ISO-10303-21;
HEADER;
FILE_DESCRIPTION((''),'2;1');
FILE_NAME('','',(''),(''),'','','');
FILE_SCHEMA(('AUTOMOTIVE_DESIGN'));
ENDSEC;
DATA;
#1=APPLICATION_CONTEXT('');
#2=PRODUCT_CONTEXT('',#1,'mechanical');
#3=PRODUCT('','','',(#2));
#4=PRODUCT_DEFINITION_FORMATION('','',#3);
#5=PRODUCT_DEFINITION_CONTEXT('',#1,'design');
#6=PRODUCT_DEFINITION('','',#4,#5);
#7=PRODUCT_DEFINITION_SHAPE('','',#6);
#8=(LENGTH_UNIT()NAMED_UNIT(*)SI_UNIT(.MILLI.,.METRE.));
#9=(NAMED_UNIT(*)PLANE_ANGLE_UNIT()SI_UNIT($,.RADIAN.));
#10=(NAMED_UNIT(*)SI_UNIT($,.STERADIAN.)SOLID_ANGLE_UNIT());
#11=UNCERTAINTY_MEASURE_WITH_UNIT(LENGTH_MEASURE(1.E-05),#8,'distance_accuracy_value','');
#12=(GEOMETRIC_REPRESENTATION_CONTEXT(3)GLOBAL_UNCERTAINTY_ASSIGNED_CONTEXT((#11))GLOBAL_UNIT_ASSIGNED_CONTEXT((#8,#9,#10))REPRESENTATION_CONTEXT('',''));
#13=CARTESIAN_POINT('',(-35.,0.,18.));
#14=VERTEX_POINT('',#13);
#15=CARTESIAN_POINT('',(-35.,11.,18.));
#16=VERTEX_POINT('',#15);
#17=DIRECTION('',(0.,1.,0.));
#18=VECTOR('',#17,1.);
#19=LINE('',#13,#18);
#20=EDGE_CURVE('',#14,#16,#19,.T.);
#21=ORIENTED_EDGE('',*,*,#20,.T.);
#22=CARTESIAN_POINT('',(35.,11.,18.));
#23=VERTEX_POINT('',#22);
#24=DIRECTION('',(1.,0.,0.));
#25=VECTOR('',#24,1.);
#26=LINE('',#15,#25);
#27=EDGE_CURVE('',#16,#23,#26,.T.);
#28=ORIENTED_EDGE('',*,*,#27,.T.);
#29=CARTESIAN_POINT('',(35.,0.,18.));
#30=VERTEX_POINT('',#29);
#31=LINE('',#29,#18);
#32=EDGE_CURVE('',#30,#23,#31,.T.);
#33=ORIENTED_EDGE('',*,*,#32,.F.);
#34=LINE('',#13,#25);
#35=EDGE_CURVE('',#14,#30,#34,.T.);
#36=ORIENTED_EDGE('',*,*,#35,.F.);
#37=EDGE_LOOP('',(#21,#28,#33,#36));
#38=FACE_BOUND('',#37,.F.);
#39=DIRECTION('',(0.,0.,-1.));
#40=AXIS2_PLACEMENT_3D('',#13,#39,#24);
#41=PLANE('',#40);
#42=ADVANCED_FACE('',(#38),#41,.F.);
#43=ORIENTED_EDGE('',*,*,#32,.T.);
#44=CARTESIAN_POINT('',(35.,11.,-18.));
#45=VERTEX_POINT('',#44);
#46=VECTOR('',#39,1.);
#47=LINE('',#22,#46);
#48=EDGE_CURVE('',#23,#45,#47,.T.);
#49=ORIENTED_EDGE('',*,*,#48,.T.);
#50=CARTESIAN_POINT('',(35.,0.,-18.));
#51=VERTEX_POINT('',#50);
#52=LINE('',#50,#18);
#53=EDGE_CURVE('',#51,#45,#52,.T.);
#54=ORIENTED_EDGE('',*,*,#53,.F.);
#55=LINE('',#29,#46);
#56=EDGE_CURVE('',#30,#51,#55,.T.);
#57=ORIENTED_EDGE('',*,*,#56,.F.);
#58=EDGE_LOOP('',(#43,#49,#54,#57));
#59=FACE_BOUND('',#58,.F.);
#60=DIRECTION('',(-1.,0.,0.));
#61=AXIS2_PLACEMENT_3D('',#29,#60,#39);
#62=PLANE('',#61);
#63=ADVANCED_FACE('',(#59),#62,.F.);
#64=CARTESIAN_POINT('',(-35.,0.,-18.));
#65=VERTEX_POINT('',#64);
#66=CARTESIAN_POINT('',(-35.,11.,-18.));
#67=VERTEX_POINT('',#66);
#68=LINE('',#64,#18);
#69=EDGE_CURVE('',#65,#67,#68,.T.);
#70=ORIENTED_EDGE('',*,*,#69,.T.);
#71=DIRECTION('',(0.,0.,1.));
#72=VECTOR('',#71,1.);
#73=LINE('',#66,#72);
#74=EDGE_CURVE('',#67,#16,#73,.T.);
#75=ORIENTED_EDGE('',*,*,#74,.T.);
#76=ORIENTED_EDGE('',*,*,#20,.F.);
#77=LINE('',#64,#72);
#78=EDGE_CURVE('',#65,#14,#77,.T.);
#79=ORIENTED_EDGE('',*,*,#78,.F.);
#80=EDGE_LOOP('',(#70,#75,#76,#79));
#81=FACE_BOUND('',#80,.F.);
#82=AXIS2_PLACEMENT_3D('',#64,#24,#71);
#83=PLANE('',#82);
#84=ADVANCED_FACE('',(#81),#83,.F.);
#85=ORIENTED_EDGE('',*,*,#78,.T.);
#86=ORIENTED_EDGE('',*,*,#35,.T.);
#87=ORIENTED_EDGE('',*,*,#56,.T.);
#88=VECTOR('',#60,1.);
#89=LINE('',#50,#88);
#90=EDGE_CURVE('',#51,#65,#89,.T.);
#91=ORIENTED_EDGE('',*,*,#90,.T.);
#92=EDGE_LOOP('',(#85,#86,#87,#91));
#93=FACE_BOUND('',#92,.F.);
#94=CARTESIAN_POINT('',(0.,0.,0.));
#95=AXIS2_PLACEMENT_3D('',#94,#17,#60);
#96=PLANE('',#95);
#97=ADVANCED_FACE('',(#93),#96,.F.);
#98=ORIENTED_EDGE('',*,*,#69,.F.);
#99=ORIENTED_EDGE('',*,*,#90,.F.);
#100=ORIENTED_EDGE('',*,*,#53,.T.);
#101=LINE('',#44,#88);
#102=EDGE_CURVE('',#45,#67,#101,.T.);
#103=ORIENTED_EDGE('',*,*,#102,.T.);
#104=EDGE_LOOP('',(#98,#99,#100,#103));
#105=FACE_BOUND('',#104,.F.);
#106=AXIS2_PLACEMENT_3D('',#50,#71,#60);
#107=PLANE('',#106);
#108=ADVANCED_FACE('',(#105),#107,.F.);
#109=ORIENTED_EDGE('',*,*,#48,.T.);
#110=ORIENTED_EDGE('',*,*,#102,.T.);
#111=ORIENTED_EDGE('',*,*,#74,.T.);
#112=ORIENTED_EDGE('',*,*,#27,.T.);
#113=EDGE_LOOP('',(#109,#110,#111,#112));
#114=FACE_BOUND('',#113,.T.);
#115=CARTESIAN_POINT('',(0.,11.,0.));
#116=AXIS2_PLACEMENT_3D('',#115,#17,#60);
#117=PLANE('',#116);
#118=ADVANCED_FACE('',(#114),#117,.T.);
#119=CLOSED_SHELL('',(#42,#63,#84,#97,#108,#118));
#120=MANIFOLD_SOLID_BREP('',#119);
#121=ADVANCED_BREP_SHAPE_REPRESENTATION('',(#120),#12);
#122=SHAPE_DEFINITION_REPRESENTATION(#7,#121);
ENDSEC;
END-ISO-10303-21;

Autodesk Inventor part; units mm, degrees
ref_plane "YZ Plane" through (0, 0, 0) normal (1, 0, 0) x (0, 1, 0)
ref_plane "XZ Plane" through (0, 0, 0) normal (0, 1, 0) x (-1, 0, 0)
ref_plane "XY Plane" through (0, 0, 0) normal (0, 0, 1) x (1, 0, 0)
sketch "Szkic1" plane through (0, 0, 0) normal (0, 1, 0) x (-1, 0, 0)
  line L0 (35, 18) -> (-35, 18)
  line L1 (-35, 18) -> (-35, -18)
  line L2 (-35, -18) -> (35, -18)
  line L3 (35, -18) -> (35, 18)
  point P0 (0, 0)
  dimension "d0" = 36
  dimension "d1" = 70
  dimension "d2" = 18
  dimension "d3" = 35
extrude "Wyciągnięcie proste1" add sketch "Szkic1" along normal blind 11
properties part number "Bateria_14V8" material "Glass"
